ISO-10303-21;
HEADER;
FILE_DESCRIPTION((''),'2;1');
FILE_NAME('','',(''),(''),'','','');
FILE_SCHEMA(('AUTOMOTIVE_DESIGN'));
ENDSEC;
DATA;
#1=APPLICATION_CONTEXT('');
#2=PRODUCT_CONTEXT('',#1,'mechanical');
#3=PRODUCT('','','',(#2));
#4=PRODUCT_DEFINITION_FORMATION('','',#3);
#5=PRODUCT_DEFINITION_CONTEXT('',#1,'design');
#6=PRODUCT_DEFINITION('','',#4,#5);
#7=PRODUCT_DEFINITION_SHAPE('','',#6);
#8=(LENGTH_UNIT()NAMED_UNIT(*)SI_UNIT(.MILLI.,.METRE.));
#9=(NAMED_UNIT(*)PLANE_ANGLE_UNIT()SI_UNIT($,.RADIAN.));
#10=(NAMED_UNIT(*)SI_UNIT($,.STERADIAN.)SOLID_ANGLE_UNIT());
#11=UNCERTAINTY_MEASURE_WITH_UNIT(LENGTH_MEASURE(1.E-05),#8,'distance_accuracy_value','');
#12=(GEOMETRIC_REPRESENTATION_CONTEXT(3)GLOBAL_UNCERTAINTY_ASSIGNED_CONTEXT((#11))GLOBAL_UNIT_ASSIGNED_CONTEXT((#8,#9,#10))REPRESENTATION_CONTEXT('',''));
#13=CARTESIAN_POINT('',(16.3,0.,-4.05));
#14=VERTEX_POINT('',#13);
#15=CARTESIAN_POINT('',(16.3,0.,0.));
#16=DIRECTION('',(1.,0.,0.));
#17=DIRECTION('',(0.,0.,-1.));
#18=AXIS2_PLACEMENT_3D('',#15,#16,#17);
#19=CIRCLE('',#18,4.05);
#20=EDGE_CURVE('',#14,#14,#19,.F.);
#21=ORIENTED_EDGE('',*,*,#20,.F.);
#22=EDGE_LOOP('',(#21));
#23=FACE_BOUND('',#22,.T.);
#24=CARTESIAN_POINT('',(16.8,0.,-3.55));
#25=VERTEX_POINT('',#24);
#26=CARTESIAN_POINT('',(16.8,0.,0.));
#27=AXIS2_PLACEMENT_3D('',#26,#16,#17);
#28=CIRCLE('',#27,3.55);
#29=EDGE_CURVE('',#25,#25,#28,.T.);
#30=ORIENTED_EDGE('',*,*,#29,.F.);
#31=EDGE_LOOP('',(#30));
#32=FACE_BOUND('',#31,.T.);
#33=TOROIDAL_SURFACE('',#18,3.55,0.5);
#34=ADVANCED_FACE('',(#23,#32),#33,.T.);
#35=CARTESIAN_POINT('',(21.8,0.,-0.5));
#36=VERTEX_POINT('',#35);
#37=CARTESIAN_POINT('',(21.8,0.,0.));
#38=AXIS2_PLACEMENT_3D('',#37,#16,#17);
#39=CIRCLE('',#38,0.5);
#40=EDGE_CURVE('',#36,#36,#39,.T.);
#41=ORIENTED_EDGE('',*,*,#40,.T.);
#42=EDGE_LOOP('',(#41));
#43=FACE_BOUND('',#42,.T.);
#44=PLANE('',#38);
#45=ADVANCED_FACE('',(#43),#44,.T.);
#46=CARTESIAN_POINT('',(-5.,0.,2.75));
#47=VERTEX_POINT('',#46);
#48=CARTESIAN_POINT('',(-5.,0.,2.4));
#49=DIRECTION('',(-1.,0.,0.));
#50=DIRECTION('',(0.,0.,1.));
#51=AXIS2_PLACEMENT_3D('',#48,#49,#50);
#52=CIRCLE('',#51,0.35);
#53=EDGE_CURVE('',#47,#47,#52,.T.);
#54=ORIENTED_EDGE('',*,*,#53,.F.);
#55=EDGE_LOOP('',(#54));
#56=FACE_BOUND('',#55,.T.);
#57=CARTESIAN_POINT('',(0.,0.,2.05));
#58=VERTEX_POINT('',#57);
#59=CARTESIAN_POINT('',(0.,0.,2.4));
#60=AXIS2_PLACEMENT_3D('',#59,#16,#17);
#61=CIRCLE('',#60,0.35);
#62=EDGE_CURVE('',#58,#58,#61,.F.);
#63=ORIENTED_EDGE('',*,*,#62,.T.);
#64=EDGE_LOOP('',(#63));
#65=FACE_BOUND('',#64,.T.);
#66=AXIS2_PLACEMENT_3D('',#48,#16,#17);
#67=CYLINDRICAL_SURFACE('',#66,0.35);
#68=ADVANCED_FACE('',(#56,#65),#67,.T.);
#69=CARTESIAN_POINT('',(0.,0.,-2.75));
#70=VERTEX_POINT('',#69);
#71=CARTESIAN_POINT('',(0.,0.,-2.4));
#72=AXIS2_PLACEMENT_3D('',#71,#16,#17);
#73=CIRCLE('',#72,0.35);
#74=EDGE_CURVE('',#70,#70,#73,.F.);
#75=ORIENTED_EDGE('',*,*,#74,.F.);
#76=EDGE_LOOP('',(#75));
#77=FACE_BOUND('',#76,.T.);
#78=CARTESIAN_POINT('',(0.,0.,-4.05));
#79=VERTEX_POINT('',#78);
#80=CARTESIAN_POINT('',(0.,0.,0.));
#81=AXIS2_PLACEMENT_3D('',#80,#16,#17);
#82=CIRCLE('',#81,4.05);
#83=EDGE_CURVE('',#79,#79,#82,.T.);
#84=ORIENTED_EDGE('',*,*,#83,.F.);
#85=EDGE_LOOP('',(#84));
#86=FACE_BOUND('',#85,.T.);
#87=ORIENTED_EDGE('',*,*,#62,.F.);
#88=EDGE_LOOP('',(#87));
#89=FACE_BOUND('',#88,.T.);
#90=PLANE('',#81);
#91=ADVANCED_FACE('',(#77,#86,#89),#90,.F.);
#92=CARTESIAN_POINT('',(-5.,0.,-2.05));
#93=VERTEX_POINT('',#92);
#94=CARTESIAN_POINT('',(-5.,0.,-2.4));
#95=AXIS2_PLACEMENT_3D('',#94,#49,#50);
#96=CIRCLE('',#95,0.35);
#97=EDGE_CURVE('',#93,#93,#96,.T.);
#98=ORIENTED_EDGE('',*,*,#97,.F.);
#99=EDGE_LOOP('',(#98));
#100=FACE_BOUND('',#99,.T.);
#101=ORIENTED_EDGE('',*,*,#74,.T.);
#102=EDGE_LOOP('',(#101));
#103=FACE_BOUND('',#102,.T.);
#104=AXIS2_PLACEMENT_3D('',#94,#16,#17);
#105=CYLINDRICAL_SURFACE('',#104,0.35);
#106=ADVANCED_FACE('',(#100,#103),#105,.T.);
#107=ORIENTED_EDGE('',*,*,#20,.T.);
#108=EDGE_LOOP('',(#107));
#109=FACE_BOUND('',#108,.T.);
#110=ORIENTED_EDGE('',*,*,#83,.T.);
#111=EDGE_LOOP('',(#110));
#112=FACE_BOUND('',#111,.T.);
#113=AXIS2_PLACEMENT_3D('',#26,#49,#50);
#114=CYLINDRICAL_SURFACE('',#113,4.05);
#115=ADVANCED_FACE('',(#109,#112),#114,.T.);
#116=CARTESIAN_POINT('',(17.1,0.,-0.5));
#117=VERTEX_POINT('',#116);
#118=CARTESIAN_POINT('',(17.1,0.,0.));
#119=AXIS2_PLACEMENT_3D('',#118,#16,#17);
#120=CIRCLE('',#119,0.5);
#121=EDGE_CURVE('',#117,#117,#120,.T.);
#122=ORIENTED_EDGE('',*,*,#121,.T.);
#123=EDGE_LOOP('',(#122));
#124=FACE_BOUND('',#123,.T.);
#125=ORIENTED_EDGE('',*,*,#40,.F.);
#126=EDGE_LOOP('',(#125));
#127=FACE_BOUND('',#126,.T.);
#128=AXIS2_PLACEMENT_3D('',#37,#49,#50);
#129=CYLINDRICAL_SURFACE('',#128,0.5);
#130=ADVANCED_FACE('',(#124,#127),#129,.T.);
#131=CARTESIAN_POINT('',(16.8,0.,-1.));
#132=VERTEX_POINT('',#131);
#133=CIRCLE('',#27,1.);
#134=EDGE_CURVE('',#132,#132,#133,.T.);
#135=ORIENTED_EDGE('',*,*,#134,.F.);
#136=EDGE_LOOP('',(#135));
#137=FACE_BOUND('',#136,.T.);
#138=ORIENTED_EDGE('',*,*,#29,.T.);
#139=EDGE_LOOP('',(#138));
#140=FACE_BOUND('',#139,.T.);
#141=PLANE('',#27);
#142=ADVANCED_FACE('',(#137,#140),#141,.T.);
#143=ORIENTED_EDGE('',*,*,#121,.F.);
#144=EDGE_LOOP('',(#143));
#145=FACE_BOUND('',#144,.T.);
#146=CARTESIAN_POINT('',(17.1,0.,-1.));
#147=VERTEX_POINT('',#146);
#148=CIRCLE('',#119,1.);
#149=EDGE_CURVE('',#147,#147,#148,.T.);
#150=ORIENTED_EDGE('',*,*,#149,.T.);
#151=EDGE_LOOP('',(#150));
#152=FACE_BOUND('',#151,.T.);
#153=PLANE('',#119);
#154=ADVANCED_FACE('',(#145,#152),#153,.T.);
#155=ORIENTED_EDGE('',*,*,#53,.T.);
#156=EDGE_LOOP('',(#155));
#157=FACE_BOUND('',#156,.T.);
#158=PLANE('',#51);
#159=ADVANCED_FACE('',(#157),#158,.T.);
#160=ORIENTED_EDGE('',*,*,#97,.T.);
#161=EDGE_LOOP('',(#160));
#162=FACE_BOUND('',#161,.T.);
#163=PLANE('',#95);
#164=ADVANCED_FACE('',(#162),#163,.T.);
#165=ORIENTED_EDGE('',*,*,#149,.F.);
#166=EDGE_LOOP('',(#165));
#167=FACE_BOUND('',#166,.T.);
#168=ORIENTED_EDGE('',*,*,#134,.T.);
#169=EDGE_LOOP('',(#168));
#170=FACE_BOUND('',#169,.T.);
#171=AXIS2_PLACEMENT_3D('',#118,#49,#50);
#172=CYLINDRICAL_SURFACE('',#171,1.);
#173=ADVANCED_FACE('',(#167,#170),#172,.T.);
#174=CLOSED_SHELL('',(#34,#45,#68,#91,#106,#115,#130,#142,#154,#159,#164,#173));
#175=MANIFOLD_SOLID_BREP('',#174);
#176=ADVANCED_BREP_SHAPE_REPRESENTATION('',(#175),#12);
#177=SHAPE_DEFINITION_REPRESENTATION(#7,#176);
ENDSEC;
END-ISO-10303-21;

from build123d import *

# Parameters (mm, degrees)
SKETCH1_R           = 4.05
BOSS_EXTRUDE1_DEPTH = 16.8
SKETCH2_R           = 1
BOSS_EXTRUDE2_DEPTH = 0.3
SKETCH3_R           = 0.5
BOSS_EXTRUDE3_DEPTH = 4.7
SKETCH4_R           = 0.35
BOSS_EXTRUDE4_DEPTH = 5
FILLET1_R           = 0.5


with BuildPart() as part:
    # Sketch1 → Boss-Extrude1 (new body)
    with BuildSketch(Plane(origin=(0, 0, 0), x_dir=(0, 0, -1), z_dir=(1, 0, 0))):
        Circle(SKETCH1_R)
    extrude(amount=BOSS_EXTRUDE1_DEPTH)

    # Sketch2 → Boss-Extrude2 (add)
    with BuildSketch(Plane(origin=(16.8, 0, 0), x_dir=(0, 0, -1), z_dir=(1, 0, 0))):
        Circle(SKETCH2_R)
    extrude(amount=BOSS_EXTRUDE2_DEPTH)

    # Sketch3 → Boss-Extrude3 (add)
    with BuildSketch(Plane(origin=(17.1, 0, 0), x_dir=(0, 0, -1), z_dir=(1, 0, 0))):
        Circle(SKETCH3_R)
    extrude(amount=BOSS_EXTRUDE3_DEPTH)

    # Sketch4 → Boss-Extrude4 (add)
    with BuildSketch(Plane.ZY):
        with Locations(Location((2.4, 0, 0), (0, 0, 180))):
            Circle(SKETCH4_R)
        with Locations(Location((-2.4, 0, 0), (0, 0, 180))):
            Circle(SKETCH4_R)
    extrude(amount=BOSS_EXTRUDE4_DEPTH)

    # Fillet1
    fillet1_edges = [part.edges().sort_by_distance(p)[0] for p in [
        (16.8, 0, 4.05),
    ]]
    fillet(fillet1_edges, radius=FILLET1_R)


solid = part.part
